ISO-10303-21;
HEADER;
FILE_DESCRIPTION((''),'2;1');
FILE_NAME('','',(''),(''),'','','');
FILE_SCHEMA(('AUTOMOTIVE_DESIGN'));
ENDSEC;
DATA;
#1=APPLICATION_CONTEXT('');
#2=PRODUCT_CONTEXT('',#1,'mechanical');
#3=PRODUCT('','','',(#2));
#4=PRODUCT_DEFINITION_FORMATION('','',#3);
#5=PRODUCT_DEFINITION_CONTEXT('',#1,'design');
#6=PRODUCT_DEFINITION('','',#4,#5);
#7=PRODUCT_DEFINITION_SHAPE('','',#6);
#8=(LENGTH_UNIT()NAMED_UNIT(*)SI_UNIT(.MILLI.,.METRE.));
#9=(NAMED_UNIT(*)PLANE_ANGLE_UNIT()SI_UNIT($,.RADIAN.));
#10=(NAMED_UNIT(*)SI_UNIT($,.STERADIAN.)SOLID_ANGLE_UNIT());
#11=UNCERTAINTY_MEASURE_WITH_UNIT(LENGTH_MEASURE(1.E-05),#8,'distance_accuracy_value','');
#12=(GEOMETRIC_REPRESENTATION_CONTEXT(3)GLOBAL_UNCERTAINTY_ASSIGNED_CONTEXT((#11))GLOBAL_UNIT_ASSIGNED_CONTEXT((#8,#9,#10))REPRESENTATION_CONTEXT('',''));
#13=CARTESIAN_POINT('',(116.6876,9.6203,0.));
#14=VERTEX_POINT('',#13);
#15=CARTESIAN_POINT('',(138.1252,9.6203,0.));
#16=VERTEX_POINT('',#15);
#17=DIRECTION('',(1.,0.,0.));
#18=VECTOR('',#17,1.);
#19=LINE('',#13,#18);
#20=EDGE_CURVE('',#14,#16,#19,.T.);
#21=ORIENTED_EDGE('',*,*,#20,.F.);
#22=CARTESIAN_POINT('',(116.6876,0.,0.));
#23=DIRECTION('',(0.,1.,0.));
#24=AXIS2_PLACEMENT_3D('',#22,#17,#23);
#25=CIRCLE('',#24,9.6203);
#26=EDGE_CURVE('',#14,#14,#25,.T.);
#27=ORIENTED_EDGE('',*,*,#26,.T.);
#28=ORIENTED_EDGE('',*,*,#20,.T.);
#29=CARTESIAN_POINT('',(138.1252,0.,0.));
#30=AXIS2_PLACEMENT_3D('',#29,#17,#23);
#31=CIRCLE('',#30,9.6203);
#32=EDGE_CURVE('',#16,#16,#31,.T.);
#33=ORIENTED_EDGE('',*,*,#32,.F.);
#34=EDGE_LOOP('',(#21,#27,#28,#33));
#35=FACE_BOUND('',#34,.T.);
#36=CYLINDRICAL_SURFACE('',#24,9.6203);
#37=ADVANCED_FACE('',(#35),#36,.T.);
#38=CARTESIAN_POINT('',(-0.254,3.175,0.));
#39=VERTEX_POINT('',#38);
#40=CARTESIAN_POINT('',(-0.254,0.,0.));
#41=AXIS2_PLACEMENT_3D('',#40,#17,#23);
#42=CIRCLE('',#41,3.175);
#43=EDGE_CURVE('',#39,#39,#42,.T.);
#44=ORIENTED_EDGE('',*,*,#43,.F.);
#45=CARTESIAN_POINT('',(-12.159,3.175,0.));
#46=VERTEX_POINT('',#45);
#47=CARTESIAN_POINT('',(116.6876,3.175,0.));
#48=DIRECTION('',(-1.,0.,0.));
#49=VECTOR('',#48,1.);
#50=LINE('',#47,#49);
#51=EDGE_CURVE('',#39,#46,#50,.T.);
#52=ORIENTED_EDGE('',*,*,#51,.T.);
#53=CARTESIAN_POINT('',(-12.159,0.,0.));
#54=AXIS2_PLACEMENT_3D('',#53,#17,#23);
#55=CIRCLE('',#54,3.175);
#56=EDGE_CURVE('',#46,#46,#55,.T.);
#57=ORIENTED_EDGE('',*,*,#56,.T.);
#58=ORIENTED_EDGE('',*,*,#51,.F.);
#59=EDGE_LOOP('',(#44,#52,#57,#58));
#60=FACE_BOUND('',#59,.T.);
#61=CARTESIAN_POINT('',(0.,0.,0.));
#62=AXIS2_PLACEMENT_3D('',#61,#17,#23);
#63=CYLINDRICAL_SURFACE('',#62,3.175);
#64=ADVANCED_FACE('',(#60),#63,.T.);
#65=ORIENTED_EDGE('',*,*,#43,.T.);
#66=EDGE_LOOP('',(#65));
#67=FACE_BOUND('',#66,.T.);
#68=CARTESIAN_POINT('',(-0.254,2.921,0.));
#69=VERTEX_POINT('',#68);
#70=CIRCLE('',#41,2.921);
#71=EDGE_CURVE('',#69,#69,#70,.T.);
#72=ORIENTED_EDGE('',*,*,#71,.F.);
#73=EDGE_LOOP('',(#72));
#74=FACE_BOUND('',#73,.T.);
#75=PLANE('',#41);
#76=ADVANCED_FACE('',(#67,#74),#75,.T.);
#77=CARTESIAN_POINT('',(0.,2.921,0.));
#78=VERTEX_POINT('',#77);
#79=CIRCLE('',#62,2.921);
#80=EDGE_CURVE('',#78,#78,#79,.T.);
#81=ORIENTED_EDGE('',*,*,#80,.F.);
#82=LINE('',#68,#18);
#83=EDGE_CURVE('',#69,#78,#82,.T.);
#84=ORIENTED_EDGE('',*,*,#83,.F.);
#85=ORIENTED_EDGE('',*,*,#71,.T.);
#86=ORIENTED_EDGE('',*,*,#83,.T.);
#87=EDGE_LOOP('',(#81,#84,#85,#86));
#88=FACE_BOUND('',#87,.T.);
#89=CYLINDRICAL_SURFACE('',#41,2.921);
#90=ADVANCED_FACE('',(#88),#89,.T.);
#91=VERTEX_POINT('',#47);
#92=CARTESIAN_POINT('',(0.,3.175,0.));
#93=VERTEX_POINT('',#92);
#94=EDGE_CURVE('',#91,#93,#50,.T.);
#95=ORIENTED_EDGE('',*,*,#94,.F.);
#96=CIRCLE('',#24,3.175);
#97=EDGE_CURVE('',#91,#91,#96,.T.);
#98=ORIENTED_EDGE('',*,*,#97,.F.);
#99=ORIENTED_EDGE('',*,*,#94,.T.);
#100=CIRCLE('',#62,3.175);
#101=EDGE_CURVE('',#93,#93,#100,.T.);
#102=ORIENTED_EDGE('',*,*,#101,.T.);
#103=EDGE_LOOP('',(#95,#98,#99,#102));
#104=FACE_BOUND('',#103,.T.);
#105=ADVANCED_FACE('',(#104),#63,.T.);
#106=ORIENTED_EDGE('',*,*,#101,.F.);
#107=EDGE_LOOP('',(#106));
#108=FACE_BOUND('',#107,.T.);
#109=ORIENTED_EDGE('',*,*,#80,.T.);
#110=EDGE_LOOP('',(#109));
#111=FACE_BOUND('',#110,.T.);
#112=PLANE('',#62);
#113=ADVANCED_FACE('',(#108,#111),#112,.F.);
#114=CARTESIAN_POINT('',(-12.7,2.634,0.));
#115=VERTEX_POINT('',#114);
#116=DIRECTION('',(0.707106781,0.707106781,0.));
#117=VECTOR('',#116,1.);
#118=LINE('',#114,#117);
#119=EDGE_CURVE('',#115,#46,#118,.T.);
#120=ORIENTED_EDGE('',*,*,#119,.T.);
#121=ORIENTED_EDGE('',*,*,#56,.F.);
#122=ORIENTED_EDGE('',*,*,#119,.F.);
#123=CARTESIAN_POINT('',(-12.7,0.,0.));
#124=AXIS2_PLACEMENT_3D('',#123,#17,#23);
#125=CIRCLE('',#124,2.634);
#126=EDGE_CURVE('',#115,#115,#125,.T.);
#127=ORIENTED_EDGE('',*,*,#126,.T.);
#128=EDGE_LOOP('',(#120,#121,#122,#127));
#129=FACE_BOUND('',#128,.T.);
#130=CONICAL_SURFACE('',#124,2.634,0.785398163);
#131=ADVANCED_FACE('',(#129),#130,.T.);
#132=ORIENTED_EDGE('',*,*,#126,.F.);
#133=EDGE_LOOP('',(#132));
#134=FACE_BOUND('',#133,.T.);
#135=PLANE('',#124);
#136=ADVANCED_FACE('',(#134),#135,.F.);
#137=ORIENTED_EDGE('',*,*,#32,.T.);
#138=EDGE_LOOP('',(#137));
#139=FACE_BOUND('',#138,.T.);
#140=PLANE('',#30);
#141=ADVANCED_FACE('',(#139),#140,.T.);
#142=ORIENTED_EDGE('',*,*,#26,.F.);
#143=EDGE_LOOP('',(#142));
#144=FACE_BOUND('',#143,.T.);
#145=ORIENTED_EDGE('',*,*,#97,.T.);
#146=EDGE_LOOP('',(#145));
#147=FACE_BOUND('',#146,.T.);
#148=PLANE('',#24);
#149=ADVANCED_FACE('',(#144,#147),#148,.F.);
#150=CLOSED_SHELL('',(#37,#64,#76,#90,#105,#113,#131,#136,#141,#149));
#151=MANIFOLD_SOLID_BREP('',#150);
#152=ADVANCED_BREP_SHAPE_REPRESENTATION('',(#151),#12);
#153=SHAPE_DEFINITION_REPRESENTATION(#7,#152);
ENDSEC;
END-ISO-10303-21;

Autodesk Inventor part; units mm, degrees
sketch "Sketch_1" plane through (0, 0, 0) normal (0, 0, 1) x (1, 0, 0)
  line L0 (138.1252, 0) -> (0, 0)
  line L1 (0, 0) -> (0, 3.175)
  line L2 (0, 3.175) -> (116.6876, 3.175)
  line L3 (116.6876, 3.175) -> (116.6876, 9.6203)
  line L4 (116.6876, 9.6203) -> (138.1252, 9.6203)
  line L5 (138.1252, 9.6203) -> (138.1252, 0)
  line L6 (138.1252, 0) -> (0, 0)
revolve "Revolution1" add sketch "Sketch_1" angle 360 about axis through (138.1252, 0, 0) along (1, 0, 0)
sketch "Sketch_3" plane through (0, 0, 0) normal (0, 0, 1) x (1, 0, 0)
  line L0 (0, 0) -> (-12.7, 0)
  line L1 (-12.7, 0) -> (-12.7, 2.634)
  line L2 (-12.7, 2.634) -> (-12.159, 3.175)
  line L3 (-12.159, 3.175) -> (0, 3.175)
  line L4 (0, 3.175) -> (0, 0)
  line L5 (0, 0) -> (-12.7, 0)
revolve "Revolution2" add sketch "Sketch_3" angle 360 about axis through (0, 0, 0) along (1, 0, 0)
thread "Thread1" size "1/4-28 UNF" class "2A" standard "ANSI Unified Screw Threads" length 12.159
sketch "Sketch_30" plane through (0, 0, 0) normal (0, 0, 1) x (1, 0, 0)
  line L0 (0, 0) -> (-0.254, 0)
  line L1 (-0.254, 2.921) -> (0, 2.921)
  line L2 (0, 2.921) -> (0, 3.429)
  line L3 (0, 3.429) -> (-0.254, 3.429)
  line L4 (-0.254, 3.429) -> (-0.254, 2.921)
revolve "Revolution3" cut sketch "Sketch_30" angle 360 about axis through (0, 0, 0) along (1, 0, 0)
ref_plane "dia1_XY" through (0, 3.175, 0) normal (1, 0, 0) x (0, 0, -1)
ref_plane "dia1_YZ" through (0, 3.175, 0) normal (0, 0, -1) x (0, 1, 0)
ref_plane "dia1_ZX" through (0, 3.175, 0) normal (0, 1, 0) x (1, 0, 0)
ref_plane "dia12_XY" through (0, 0, 10.9537) normal (1, 0, 0) x (0, 0, -1)
ref_plane "dia12_YZ" through (0, 0, 10.9537) normal (0, 0, -1) x (0, 1, 0)
ref_plane "dia12_ZX" through (0, 0, 10.9537) normal (0, 1, 0) x (1, 0, 0)
ref_plane "dia2_XY" through (0, -3.175, 0) normal (1, 0, 0) x (0, 0, -1)
ref_plane "dia2_YZ" through (0, -3.175, 0) normal (0, 0, -1) x (0, 1, 0)
ref_plane "dia2_ZX" through (0, -3.175, 0) normal (0, 1, 0) x (1, 0, 0)
ref_plane "dia22_XY" through (0, 0, -10.9537) normal (1, 0, 0) x (0, 0, -1)
ref_plane "dia22_YZ" through (0, 0, -10.9537) normal (0, 0, -1) x (0, 1, 0)
ref_plane "dia22_ZX" through (0, 0, -10.9537) normal (0, 1, 0) x (1, 0, 0)
ref_plane "rl1_XY" through (-12.7, 0, 0) normal (1, 0, 0) x (0, 0, -1)
ref_plane "rl1_YZ" through (-12.7, 0, 0) normal (0, 0, -1) x (0, 1, 0)
ref_plane "rl1_ZX" through (-12.7, 0, 0) normal (0, 1, 0) x (1, 0, 0)
ref_plane "rl2_XY" through (0, 0, 0) normal (1, 0, 0) x (0, 0, -1)
ref_plane "rl2_YZ" through (0, 0, 0) normal (0, 0, -1) x (0, 1, 0)
ref_plane "rl2_ZX" through (0, 0, 0) normal (0, 1, 0) x (1, 0, 0)
ref_plane "rod_cp_XY" through (0, 0, 0) normal (1, 0, 0) x (0, 0, -1)
ref_plane "rod_cp_YZ" through (0, 0, 0) normal (0, 0, -1) x (0, 1, 0)
ref_plane "rod_cp_ZX" through (0, 0, 0) normal (0, 1, 0) x (1, 0, 0)
ref_plane "thd1_XY" through (-12.7, 3.175, 0) normal (1, 0, 0) x (0, 0, -1)
ref_plane "thd1_YZ" through (-12.7, 3.175, 0) normal (0, 0, -1) x (0, 1, 0)
ref_plane "thd1_ZX" through (-12.7, 3.175, 0) normal (0, 1, 0) x (1, 0, 0)
ref_plane "thd2_XY" through (-12.7, -3.175, 0) normal (1, 0, 0) x (0, 0, -1)
ref_plane "thd2_YZ" through (-12.7, -3.175, 0) normal (0, 0, -1) x (0, 1, 0)
ref_plane "thd2_ZX" through (-12.7, -3.175, 0) normal (0, 1, 0) x (1, 0, 0)
ref_plane "to_rod_clevis_XY" through (-16.764, 0, 0) normal (1, 0, 0) x (0, 0, -1)
ref_plane "to_rod_clevis_YZ" through (-16.764, 0, 0) normal (0, 0, -1) x (0, 1, 0)
ref_plane "to_rod_clevis_ZX" through (-16.764, 0, 0) normal (0, 1, 0) x (1, 0, 0)
properties part number "C-043-DP0_rod"
